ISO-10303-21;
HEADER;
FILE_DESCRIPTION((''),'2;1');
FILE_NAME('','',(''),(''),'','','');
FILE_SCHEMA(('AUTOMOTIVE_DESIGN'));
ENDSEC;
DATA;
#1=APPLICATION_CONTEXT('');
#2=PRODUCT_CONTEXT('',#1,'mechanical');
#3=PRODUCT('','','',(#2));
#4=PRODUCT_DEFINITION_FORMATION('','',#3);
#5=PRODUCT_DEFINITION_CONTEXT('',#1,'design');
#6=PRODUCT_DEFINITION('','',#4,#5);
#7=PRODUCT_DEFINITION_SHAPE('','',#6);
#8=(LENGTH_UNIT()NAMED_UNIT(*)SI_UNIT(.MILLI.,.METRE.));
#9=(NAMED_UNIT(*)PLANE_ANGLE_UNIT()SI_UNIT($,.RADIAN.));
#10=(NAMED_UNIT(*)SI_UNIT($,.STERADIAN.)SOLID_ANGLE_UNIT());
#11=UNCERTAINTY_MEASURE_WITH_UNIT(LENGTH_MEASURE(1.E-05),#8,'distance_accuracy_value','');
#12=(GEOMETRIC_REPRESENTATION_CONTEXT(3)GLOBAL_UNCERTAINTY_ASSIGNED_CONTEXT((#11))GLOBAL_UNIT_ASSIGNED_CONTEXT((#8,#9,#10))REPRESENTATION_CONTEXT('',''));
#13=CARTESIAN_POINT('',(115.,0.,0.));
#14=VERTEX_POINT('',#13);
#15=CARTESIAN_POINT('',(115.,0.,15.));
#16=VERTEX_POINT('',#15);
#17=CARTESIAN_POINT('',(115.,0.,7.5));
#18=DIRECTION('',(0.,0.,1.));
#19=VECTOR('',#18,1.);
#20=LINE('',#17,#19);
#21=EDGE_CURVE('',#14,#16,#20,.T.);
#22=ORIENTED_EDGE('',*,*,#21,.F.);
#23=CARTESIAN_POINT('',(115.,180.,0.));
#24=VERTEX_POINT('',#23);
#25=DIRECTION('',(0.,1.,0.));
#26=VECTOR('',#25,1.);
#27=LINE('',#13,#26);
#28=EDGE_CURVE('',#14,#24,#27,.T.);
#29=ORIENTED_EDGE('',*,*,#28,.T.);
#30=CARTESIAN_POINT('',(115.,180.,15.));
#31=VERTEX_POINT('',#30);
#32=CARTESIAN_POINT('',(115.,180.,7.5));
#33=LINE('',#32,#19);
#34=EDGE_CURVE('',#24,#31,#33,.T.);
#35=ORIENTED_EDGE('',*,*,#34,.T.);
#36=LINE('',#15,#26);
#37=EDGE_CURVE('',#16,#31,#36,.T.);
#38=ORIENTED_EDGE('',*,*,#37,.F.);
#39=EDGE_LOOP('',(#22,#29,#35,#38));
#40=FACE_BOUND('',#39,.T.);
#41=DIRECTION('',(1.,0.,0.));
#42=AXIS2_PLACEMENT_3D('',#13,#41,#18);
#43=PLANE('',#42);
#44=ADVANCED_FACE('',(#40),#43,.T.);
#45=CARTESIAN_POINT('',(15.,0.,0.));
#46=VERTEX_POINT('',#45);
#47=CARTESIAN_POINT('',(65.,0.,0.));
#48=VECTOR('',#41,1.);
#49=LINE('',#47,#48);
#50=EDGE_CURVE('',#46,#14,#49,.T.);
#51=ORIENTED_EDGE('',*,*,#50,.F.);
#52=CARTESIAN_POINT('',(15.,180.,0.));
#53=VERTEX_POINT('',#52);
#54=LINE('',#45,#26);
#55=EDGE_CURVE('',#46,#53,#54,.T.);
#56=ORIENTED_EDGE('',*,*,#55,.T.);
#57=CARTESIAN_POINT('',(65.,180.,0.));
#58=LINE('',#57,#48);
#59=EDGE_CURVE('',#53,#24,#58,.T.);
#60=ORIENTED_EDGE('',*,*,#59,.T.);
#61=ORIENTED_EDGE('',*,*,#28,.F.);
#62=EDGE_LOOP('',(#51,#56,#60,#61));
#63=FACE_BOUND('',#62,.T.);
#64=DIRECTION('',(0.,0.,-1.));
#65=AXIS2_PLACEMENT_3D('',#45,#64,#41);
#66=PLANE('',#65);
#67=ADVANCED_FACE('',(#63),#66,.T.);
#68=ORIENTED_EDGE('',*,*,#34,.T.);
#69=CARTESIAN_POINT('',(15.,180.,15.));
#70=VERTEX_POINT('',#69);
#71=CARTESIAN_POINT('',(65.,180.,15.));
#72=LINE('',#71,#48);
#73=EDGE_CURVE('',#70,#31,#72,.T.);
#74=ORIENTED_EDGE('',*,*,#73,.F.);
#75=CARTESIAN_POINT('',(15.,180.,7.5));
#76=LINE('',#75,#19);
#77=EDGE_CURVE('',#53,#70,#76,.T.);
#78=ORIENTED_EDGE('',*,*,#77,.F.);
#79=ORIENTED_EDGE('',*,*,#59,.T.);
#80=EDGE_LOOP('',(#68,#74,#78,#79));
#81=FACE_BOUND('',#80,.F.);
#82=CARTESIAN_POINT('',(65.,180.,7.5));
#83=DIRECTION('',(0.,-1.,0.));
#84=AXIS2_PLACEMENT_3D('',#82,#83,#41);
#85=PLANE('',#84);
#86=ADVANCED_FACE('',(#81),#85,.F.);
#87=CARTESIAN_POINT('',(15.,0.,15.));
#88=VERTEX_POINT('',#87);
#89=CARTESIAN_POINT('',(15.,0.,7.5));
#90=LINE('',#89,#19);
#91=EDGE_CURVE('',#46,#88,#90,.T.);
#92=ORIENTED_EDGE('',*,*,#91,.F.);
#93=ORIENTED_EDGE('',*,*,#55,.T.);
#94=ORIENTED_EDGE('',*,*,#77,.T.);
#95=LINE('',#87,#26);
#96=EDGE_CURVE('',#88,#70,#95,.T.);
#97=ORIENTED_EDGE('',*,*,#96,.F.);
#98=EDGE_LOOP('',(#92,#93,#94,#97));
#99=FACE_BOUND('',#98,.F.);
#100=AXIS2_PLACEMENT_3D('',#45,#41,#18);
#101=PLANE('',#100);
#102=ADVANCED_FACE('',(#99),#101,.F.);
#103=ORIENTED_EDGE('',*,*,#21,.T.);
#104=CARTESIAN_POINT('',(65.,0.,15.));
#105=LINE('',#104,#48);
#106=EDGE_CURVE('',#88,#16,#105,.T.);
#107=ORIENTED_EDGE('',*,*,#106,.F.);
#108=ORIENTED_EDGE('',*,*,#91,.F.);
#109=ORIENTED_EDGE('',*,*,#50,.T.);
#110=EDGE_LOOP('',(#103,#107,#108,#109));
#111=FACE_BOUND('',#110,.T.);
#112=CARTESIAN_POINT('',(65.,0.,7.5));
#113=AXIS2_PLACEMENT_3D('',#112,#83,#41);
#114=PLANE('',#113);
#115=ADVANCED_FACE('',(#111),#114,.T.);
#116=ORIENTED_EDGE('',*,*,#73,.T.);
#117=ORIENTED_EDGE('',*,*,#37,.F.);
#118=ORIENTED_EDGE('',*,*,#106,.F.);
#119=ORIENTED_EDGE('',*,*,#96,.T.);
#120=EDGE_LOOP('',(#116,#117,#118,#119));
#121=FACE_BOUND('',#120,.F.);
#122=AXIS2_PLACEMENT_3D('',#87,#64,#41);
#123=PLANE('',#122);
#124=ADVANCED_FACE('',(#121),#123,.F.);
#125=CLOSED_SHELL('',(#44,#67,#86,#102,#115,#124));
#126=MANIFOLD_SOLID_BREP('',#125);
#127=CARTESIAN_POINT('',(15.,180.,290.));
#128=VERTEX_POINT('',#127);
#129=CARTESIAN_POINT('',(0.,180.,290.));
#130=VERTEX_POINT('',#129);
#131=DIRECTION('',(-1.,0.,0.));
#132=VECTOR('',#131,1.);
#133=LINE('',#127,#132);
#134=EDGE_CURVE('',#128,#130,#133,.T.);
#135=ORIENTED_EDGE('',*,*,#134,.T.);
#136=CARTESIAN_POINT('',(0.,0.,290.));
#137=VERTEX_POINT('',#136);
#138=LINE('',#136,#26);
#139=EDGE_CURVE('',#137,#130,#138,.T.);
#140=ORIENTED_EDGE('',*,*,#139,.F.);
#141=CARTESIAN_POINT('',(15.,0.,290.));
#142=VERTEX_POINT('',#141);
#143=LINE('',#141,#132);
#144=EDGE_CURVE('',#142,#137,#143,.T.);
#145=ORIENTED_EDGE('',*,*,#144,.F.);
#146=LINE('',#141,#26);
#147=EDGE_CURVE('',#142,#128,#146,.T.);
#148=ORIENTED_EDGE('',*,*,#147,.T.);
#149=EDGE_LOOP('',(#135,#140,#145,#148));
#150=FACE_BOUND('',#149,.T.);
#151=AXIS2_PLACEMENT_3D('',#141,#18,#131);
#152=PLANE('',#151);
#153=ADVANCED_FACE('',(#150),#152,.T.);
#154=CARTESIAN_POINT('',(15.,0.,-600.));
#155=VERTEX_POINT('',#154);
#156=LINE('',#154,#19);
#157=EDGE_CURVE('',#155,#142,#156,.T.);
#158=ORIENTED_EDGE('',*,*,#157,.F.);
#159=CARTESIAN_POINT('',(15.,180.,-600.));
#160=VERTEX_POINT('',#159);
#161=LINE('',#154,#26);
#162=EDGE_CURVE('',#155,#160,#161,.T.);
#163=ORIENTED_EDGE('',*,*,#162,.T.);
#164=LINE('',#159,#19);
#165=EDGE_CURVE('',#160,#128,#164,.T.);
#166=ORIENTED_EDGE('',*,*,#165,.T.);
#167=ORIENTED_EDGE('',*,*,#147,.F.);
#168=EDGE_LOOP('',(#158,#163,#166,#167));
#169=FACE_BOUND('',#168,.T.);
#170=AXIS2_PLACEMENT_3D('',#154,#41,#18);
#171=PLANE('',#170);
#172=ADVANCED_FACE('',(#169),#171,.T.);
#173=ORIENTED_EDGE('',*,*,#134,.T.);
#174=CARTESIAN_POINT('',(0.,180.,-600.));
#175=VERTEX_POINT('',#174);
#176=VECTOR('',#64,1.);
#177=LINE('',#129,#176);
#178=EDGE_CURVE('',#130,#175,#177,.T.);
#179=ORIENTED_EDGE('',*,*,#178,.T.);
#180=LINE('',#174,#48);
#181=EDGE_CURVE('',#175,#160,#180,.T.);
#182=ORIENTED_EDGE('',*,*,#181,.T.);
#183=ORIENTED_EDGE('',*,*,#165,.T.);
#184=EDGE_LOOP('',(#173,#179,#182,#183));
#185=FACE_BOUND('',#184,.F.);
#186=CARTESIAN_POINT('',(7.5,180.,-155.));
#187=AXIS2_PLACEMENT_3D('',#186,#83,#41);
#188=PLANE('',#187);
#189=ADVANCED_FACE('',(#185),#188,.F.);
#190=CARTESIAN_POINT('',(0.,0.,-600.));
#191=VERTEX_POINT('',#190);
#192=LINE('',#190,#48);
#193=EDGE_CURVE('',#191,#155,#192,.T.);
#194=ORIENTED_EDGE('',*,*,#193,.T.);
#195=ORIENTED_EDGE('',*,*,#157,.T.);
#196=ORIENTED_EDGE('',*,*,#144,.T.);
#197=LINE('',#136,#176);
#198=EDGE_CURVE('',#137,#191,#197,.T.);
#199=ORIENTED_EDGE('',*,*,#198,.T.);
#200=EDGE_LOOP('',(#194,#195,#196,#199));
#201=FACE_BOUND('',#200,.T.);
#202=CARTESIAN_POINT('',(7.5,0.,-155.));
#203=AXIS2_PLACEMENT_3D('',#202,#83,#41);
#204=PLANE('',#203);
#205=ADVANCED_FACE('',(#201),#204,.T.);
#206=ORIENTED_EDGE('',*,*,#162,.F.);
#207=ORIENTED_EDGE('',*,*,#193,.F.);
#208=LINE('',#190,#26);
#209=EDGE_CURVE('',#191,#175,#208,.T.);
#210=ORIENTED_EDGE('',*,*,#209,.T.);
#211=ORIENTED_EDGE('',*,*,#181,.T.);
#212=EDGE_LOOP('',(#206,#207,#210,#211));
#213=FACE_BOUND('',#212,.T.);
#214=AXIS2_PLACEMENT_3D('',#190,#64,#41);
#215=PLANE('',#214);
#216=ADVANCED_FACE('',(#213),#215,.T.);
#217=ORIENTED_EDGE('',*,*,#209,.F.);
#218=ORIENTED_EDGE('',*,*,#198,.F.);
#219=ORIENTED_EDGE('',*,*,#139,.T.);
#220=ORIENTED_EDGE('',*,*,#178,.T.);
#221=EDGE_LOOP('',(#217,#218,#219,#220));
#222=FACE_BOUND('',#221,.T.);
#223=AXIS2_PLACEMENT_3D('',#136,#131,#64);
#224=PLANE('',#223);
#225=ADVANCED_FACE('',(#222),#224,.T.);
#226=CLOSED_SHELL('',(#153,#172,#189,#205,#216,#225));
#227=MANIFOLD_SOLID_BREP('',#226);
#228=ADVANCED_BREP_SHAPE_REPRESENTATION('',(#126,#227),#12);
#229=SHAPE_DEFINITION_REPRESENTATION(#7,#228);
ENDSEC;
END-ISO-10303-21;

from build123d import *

# Parameters (mm, degrees)
F1_DEPTH = 180
F0_W     = 100
F0_H     = 15
F2_DEPTH = 180


with BuildPart() as f1:
    # F0 (on Front) → F1 (new body)
    with BuildSketch(Plane.XZ):
        Polygon((15, 290), (0, 290), (0, 0), (0, -600), (15, -600), (15, 0), (15, 15), align=None)
    extrude(amount=-F1_DEPTH)


with BuildPart() as f2:
    # F0 (on Front) → F2 (new body)
    with BuildSketch(Plane.XZ):
        with Locations((65, 7.5)):
            Rectangle(F0_W, F0_H)
    extrude(amount=-F2_DEPTH)


solid = Compound([f1.part, f2.part])
